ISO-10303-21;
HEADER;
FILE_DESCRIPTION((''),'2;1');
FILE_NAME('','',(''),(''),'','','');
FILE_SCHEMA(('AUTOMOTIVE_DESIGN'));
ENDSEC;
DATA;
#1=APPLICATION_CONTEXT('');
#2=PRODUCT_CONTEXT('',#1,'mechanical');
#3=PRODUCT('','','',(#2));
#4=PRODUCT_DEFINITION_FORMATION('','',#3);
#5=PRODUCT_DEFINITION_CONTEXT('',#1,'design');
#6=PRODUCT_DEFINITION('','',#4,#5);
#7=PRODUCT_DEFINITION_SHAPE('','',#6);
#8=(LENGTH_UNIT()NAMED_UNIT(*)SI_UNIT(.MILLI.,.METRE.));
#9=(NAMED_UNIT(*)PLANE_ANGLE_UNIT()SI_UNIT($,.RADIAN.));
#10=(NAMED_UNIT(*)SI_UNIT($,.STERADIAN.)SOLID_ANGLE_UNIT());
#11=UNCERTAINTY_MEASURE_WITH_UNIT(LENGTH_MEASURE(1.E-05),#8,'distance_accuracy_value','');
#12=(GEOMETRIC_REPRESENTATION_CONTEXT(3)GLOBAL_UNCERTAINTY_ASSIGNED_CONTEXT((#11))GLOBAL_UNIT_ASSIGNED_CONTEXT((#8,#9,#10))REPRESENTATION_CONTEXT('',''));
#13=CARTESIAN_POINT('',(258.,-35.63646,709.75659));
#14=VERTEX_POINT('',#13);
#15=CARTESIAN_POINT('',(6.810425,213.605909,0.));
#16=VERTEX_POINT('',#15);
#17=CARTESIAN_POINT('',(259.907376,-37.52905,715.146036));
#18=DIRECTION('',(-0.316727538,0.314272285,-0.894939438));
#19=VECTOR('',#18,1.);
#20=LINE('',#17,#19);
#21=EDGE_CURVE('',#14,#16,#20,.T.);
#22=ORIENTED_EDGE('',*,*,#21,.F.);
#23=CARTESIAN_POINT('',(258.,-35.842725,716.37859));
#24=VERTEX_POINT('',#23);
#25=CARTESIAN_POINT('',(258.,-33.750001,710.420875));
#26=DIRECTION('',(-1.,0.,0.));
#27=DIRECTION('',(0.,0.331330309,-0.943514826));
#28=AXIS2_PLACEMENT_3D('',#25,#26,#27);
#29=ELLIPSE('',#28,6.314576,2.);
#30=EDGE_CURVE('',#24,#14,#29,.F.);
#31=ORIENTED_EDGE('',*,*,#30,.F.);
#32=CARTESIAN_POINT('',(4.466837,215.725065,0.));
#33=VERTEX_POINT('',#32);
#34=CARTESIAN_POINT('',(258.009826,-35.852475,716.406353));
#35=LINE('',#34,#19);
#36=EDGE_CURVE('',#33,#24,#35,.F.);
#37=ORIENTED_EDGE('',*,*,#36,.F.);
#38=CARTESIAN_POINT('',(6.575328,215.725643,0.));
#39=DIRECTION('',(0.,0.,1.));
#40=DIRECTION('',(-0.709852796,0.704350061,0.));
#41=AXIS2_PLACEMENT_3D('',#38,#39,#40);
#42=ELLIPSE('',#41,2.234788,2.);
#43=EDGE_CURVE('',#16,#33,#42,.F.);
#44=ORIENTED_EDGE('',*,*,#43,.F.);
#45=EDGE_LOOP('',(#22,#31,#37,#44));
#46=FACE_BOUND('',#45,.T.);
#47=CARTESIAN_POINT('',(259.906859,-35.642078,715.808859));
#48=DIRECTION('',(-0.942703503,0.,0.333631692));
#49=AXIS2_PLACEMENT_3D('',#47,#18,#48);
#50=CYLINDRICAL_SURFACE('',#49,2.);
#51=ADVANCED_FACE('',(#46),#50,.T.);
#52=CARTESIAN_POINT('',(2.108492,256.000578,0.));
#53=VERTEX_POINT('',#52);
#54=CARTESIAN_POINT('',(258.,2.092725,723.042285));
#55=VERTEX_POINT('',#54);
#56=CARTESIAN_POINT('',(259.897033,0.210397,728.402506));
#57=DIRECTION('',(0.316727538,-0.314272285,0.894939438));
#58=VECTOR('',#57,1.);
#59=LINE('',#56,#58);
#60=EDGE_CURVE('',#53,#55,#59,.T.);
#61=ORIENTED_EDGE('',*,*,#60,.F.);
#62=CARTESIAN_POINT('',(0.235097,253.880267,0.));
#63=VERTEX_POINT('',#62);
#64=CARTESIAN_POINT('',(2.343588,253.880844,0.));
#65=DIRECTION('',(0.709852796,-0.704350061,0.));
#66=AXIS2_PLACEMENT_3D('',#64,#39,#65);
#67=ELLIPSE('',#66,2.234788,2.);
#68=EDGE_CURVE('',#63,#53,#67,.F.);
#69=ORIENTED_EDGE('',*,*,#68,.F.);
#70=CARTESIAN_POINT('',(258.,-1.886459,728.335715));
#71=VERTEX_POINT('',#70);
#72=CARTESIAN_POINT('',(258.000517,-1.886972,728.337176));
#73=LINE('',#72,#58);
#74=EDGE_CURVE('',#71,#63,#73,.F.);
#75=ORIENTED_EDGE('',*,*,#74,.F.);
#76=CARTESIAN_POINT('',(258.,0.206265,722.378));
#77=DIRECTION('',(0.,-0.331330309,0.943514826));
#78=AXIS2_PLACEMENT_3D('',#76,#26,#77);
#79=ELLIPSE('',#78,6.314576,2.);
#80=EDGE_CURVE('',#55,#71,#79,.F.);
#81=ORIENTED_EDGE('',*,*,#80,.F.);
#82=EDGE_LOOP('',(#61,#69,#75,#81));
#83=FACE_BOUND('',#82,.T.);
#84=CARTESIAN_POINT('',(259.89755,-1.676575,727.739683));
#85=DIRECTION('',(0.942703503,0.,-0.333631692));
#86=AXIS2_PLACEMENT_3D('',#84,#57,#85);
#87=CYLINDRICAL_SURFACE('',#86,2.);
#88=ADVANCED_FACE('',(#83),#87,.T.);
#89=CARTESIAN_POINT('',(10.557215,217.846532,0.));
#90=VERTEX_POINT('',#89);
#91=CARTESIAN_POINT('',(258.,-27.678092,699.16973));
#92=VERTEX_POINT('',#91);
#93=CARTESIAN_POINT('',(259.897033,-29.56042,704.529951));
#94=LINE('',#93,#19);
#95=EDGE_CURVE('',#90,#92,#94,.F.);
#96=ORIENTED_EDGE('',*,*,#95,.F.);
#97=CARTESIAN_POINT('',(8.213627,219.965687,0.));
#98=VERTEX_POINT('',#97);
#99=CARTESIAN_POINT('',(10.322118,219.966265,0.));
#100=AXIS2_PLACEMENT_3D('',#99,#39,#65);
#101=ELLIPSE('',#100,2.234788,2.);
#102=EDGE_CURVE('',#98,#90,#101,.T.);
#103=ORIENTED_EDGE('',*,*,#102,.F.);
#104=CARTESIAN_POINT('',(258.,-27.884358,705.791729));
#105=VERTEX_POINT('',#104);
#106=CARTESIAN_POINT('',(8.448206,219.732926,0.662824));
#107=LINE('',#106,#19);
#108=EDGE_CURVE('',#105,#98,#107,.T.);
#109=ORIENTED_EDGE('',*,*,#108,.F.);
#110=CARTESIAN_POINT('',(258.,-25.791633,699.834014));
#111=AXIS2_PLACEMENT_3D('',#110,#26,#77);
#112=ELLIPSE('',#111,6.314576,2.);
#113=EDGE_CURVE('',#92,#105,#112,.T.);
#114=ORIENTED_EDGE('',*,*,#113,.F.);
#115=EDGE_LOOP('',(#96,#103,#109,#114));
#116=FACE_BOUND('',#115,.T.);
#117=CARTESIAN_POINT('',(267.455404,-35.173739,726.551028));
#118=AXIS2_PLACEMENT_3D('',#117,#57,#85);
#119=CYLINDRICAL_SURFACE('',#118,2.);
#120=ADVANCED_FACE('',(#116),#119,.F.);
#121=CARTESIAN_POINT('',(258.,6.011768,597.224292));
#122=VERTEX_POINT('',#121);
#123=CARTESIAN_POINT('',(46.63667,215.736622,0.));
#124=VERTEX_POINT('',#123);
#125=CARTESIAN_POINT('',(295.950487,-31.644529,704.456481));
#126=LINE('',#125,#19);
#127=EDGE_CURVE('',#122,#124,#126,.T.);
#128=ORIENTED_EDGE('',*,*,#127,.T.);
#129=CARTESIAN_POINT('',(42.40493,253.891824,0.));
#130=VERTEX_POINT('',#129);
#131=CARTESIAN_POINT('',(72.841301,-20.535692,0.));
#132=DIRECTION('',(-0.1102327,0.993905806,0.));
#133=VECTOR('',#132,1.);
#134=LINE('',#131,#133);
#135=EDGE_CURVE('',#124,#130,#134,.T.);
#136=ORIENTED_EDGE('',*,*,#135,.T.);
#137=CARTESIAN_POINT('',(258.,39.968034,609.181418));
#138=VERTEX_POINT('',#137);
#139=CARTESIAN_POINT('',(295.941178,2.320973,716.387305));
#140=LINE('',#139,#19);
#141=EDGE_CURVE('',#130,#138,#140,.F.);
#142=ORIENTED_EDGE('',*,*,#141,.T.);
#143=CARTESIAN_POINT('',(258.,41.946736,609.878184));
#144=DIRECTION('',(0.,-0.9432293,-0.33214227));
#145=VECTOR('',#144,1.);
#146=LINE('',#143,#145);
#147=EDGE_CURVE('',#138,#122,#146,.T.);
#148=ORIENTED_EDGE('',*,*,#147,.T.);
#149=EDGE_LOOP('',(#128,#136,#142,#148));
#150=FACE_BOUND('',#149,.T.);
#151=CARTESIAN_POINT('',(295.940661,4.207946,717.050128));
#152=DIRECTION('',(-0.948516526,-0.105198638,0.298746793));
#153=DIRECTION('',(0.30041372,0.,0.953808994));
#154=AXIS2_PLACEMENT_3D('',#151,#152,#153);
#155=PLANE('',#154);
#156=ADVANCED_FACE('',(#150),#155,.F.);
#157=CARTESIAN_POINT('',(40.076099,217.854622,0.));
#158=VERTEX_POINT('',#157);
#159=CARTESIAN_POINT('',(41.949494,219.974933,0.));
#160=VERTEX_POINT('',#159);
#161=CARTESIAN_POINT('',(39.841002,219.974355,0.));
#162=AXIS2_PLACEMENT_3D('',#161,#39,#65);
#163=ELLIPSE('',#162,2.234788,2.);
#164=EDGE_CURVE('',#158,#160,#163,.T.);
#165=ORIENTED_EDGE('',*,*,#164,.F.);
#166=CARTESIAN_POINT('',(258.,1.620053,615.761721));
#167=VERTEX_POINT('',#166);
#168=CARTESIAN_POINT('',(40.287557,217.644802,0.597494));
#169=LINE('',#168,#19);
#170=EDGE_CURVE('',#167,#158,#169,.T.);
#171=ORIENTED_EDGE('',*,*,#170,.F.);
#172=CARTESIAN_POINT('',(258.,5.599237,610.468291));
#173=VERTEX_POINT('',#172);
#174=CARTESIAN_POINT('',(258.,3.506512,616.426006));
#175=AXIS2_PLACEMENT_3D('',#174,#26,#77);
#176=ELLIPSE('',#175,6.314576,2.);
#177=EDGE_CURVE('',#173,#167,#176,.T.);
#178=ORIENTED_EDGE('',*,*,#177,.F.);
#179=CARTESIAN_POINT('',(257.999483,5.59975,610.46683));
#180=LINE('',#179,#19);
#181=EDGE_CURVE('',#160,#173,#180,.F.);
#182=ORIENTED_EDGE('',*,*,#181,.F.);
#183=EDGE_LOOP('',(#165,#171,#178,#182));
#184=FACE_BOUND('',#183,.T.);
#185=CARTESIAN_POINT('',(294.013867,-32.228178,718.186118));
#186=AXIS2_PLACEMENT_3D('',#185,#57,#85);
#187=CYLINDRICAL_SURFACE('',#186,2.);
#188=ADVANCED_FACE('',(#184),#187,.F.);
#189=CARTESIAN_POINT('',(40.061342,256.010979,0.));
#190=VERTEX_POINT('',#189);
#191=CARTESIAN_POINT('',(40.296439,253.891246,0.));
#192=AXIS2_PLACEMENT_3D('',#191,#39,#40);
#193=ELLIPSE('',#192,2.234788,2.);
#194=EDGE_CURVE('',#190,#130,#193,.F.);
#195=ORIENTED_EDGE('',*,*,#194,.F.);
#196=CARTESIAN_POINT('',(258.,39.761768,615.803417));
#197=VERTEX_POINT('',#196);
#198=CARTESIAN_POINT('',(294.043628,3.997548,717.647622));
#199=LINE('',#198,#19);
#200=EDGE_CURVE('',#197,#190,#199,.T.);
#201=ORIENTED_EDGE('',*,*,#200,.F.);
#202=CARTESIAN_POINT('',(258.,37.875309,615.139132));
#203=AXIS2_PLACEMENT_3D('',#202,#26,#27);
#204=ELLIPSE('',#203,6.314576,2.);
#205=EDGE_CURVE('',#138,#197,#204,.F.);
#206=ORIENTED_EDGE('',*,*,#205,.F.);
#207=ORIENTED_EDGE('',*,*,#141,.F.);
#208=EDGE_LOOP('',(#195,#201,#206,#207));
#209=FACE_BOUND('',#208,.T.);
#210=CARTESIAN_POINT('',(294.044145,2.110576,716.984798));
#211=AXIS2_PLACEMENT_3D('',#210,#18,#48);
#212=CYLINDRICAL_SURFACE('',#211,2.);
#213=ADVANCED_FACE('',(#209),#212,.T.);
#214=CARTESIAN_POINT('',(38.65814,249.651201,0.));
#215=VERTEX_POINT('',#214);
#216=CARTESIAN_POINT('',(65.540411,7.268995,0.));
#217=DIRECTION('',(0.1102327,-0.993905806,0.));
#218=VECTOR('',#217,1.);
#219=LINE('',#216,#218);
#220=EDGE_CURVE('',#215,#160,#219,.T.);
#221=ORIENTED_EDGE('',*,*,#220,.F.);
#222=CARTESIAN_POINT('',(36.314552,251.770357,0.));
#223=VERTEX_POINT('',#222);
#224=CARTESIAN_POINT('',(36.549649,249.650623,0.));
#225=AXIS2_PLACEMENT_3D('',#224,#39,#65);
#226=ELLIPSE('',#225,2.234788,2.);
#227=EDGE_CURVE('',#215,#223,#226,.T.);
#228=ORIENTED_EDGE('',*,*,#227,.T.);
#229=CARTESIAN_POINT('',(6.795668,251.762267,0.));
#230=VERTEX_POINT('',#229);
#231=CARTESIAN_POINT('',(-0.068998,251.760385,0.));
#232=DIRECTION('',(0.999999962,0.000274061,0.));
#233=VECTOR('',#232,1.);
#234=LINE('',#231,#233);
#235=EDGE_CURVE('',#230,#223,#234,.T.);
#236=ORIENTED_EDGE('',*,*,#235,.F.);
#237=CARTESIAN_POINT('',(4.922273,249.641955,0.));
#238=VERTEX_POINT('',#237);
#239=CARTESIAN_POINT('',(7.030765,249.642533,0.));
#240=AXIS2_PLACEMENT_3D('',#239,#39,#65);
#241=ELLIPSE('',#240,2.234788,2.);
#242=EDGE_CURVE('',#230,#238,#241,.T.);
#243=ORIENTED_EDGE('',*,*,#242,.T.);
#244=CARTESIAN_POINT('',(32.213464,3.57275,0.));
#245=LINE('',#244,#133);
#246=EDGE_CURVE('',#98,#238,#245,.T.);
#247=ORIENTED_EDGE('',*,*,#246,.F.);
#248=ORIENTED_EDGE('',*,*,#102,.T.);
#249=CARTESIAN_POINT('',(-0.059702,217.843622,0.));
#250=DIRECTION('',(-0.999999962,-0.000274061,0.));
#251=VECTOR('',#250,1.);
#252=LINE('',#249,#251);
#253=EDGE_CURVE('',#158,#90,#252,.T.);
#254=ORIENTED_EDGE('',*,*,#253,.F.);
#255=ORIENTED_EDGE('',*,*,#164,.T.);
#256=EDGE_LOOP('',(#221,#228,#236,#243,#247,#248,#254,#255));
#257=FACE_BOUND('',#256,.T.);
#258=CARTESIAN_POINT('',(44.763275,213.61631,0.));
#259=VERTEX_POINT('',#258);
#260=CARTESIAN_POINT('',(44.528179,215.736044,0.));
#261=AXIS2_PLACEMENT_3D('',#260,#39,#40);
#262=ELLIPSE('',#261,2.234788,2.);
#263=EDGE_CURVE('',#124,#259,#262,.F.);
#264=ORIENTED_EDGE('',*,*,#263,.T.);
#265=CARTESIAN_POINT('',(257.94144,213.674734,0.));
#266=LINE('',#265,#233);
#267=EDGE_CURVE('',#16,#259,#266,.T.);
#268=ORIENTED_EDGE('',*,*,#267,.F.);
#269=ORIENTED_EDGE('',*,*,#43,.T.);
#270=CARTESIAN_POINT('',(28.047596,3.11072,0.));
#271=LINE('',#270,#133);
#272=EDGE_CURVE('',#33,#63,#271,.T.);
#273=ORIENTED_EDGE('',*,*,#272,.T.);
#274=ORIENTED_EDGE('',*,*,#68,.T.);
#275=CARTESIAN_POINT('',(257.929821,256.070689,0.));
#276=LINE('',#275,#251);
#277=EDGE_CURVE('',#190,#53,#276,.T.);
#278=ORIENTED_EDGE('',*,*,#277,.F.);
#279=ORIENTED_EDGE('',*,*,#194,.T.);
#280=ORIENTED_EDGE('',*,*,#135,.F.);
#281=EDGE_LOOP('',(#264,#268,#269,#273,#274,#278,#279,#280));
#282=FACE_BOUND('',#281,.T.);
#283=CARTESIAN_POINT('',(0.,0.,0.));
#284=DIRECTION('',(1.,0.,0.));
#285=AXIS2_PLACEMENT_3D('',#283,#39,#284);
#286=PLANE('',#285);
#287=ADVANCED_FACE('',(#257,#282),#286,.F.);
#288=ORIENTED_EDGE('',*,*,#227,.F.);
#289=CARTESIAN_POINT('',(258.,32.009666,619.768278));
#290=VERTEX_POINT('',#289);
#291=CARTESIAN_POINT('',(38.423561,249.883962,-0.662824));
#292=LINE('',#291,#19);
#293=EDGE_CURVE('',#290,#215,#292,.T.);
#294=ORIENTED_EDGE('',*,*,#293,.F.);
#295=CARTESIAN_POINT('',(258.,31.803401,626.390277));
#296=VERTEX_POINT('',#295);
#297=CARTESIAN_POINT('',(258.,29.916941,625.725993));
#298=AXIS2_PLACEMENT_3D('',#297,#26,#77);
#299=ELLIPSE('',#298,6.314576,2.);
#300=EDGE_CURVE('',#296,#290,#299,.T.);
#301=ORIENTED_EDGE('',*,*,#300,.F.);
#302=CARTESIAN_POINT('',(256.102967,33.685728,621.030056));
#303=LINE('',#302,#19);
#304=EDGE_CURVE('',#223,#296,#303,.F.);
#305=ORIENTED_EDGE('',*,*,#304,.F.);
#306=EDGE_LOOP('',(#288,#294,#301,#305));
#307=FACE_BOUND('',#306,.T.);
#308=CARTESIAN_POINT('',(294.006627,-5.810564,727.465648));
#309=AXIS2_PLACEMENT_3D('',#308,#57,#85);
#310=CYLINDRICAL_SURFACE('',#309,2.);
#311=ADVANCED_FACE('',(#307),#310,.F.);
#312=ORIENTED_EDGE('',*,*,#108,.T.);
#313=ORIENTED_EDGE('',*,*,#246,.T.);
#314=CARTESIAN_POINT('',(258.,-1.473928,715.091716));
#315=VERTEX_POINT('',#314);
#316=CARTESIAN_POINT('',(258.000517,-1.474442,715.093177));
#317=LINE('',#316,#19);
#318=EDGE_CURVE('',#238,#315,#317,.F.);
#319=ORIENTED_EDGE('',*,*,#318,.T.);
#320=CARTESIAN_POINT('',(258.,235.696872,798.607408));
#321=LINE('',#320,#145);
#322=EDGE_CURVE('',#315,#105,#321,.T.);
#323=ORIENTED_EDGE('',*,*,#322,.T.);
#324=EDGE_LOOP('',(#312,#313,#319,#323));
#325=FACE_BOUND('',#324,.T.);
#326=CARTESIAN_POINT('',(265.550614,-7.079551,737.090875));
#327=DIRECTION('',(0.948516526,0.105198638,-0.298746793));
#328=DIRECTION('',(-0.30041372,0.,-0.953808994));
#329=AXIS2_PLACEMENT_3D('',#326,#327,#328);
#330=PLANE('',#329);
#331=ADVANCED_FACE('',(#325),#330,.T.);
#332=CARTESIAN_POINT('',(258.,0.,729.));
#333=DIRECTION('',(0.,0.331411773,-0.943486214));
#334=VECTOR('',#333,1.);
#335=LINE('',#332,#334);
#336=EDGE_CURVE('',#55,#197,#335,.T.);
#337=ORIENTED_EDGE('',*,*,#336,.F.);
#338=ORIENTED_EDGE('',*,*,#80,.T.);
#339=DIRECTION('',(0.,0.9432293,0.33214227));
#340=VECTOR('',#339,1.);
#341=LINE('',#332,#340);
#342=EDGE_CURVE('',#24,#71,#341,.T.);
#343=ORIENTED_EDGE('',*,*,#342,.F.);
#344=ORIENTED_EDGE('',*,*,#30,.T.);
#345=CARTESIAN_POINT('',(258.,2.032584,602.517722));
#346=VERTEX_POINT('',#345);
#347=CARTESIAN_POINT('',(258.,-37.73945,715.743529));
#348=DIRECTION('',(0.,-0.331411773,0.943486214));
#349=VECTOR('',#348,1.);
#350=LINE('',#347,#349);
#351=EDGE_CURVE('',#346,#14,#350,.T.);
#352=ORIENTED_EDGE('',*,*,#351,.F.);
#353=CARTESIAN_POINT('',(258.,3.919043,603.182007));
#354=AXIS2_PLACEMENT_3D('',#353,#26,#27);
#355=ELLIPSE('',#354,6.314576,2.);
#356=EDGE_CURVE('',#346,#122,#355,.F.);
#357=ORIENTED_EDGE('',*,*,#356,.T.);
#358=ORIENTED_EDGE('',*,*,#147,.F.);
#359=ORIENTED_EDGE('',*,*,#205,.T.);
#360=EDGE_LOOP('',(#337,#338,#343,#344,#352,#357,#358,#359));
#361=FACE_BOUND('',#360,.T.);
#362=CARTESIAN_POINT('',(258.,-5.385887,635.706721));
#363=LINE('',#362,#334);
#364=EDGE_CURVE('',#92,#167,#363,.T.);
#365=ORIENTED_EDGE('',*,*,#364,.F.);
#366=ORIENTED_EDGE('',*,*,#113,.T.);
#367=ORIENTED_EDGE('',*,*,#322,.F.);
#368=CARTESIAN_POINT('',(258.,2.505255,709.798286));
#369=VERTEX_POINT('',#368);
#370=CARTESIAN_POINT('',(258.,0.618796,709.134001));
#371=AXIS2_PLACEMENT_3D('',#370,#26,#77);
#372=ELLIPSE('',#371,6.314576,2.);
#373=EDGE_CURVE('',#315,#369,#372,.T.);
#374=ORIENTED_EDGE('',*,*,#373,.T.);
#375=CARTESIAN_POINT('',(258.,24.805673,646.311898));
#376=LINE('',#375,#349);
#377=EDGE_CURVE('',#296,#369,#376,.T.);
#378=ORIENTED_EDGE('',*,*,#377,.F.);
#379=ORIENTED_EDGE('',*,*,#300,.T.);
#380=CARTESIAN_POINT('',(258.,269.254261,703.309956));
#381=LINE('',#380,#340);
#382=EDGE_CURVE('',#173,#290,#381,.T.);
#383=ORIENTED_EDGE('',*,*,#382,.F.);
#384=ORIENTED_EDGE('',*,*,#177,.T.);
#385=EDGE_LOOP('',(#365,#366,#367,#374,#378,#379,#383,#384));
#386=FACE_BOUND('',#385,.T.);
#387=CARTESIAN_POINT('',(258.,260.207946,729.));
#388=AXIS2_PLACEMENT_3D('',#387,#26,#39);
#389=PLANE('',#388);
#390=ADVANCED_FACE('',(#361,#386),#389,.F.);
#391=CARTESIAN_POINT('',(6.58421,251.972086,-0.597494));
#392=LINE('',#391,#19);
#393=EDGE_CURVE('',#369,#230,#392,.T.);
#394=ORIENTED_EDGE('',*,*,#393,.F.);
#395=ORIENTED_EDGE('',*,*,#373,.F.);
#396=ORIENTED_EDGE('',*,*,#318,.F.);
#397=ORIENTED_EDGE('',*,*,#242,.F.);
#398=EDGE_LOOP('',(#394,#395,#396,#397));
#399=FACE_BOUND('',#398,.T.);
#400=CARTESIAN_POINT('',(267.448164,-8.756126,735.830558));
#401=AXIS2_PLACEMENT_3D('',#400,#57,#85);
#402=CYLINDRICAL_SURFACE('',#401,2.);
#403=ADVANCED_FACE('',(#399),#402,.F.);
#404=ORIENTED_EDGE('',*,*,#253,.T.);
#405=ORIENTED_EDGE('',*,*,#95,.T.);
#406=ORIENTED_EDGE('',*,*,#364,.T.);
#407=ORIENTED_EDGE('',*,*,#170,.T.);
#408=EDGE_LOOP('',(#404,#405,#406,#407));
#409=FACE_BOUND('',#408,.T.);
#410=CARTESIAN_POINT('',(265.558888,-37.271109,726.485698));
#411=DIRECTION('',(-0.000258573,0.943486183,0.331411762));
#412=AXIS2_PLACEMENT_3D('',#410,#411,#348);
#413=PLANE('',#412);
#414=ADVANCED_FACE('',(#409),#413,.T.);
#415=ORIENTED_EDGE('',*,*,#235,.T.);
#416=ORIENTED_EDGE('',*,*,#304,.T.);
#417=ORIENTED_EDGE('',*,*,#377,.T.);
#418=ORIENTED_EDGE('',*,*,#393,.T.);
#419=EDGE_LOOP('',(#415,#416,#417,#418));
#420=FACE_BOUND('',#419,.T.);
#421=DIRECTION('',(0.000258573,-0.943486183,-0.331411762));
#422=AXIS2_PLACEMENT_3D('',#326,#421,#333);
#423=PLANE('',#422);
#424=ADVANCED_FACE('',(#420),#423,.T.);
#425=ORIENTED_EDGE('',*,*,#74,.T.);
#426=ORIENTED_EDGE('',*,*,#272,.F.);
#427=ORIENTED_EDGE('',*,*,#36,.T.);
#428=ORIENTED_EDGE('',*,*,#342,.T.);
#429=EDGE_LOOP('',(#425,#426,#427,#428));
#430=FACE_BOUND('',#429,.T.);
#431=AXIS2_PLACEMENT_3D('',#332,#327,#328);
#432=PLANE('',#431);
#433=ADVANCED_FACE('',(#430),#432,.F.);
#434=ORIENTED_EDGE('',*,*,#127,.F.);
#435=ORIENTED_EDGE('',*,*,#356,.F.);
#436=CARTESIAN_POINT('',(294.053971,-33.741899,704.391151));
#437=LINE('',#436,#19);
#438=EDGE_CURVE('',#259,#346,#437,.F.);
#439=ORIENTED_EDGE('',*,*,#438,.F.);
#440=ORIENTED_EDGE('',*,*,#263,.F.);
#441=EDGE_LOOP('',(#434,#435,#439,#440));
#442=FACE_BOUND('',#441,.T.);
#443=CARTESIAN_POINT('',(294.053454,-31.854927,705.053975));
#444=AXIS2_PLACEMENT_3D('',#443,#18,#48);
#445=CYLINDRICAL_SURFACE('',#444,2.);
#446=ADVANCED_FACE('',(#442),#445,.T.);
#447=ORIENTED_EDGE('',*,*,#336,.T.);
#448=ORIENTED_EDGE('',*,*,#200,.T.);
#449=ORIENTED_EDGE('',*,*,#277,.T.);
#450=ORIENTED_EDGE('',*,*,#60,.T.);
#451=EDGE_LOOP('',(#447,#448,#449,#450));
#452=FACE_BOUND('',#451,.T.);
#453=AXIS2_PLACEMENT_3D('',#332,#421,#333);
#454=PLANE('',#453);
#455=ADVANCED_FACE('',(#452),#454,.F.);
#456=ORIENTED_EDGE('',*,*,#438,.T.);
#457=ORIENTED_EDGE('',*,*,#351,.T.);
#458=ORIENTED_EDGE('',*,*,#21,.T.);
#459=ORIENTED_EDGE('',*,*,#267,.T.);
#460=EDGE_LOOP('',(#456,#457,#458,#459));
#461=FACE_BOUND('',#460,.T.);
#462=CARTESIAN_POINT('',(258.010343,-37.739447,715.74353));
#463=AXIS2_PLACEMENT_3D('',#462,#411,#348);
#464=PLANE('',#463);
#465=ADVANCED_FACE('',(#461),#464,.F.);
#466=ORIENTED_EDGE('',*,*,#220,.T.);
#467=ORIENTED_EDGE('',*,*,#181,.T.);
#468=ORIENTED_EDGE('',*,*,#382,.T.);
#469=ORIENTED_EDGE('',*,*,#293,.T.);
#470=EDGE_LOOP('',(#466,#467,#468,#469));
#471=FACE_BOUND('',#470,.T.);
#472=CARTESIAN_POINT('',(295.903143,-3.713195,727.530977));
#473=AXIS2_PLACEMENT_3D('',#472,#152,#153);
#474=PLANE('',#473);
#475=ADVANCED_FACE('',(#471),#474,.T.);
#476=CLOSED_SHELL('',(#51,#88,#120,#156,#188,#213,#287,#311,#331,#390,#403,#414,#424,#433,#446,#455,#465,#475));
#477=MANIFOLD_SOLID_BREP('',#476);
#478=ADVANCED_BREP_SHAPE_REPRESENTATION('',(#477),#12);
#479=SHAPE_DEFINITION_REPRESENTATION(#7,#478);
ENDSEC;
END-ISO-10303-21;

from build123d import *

# Parameters (mm, degrees)
BOSS_EXTRU_1_DEPTH           = 729
ENL_V_MAT_EXTRU_1_DEPTH      = 727
ESQUISSE3_W                  = 40
ESQUISSE3_H                  = 40
BOSS_EXTRU_2_DEPTH           = 814.58026
ENL_V_MAT_EXTRU_2_DEPTH      = 829.69546376
ENL_V_MAT_EXTRU_2_DEPTH_BACK = 829.69546376
ESQUISSE4_W                  = 98.578400591
ESQUISSE4_H                  = 147.950096535
ESQUISSE4_W_2                = 77.840885054
ESQUISSE4_H_2                = 46.084081252
ESQUISSE7_W                  = 821.544509843
ESQUISSE7_H                  = 616.158382383
ESQUISSE7_W_2                = 40
ESQUISSE7_H_2                = 40
ENL_V_MAT_EXTRU_6_DEPTH      = 828.213294061
ESQUISSE8_W                  = 32
ESQUISSE8_H                  = 32
ENL_V_MAT_EXTRU_9_DEPTH      = 828.213294061
CONG_2_R                     = 2


with BuildPart() as part:
    # Esquisse1 → Boss.-Extru.1 (new body)
    with BuildSketch(Plane.XY):
        Polygon((0, 0), (258, 0), (0, 256), align=None)
    extrude(amount=BOSS_EXTRU_1_DEPTH)

    # Esquisse2 → Enlèv. mat.-Extru.1 (cut)
    with BuildSketch(Plane.ZY):
        Polygon((0, 256), (729, 0), (729, 256), align=None)
    extrude(amount=-ENL_V_MAT_EXTRU_1_DEPTH, mode=Mode.SUBTRACT)

    # Esquisse3 → Boss.-Extru.2 (add)
    with BuildSketch(Plane(origin=(0, 256, 0), x_dir=(0.948516525956314, 0.10519863837129277, -0.2987467932423567), z_dir=(0.31672753768478995, -0.31427228545467534, 0.8949394378767902))):
        with Locations((20, -20)):
            Rectangle(ESQUISSE3_W, ESQUISSE3_H)
    extrude(amount=BOSS_EXTRU_2_DEPTH)

    # Esquisse4 → Enlèv. mat.-Extru.2 (cut, two sides: drawn at the far end of the back side and taken through both)
    with BuildSketch(Plane(origin=(0, 0, 0), x_dir=(-1, 0, 0), z_dir=(0, -1, 0)).offset(-ENL_V_MAT_EXTRU_2_DEPTH_BACK)):
        with Locations((-307.289200295, -655.024951733)):
            Rectangle(ESQUISSE4_W, ESQUISSE4_H)
        with Locations((-38.920442527, 23.042040626)):
            Rectangle(ESQUISSE4_W_2, ESQUISSE4_H_2)
    extrude(amount=ENL_V_MAT_EXTRU_2_DEPTH + ENL_V_MAT_EXTRU_2_DEPTH_BACK, mode=Mode.SUBTRACT)

    # Esquisse7 → Enlèv. mat.-Extru.6 (cut, through all)
    with BuildSketch(Plane(origin=(0, 256, 0), x_dir=(0.948516525956314, 0.10519863837129277, -0.2987467932423567), z_dir=(0.31672753768478995, -0.31427228545467534, 0.8949394378767902))):
        with Locations((22.907114777, -53.97111912)):
            Rectangle(ESQUISSE7_W, ESQUISSE7_H)
        with Locations((20, -20)):
            Rectangle(ESQUISSE7_W_2, ESQUISSE7_H_2, mode=Mode.SUBTRACT)
    extrude(amount=ENL_V_MAT_EXTRU_6_DEPTH, mode=Mode.SUBTRACT)

    # Esquisse8 → Enlèv. mat.-Extru.9 (cut, through all)
    with BuildSketch(Plane(origin=(0, 256, 0), x_dir=(0.948516525956314, 0.10519863837129277, -0.2987467932423567), z_dir=(0.31672753768478995, -0.31427228545467534, 0.8949394378767902))):
        with Locations((20, -20)):
            Rectangle(ESQUISSE8_W, ESQUISSE8_H)
    extrude(amount=ENL_V_MAT_EXTRU_9_DEPTH, mode=Mode.SUBTRACT)

    # Congé2
    cong_2_edges = [part.edges().sort_by_distance(p)[0] for p in [
        (131.343588352, 126.087109834, 357.878000354),
        (133.224361668, 94.037568496, 352.563722265),
        (150.092295167, 110.783988508, 304.90200319),
        (148.211521852, 142.833529846, 310.21628128),
        (129, 128, 364.5),
        (150.084916875, 148.933025015, 304.922851157),
        (152.435883519, 108.871098342, 298.280003544),
        (131.350966645, 87.938073327, 357.857152388),
    ]]
    fillet(cong_2_edges, radius=CONG_2_R)


solid = part.part
